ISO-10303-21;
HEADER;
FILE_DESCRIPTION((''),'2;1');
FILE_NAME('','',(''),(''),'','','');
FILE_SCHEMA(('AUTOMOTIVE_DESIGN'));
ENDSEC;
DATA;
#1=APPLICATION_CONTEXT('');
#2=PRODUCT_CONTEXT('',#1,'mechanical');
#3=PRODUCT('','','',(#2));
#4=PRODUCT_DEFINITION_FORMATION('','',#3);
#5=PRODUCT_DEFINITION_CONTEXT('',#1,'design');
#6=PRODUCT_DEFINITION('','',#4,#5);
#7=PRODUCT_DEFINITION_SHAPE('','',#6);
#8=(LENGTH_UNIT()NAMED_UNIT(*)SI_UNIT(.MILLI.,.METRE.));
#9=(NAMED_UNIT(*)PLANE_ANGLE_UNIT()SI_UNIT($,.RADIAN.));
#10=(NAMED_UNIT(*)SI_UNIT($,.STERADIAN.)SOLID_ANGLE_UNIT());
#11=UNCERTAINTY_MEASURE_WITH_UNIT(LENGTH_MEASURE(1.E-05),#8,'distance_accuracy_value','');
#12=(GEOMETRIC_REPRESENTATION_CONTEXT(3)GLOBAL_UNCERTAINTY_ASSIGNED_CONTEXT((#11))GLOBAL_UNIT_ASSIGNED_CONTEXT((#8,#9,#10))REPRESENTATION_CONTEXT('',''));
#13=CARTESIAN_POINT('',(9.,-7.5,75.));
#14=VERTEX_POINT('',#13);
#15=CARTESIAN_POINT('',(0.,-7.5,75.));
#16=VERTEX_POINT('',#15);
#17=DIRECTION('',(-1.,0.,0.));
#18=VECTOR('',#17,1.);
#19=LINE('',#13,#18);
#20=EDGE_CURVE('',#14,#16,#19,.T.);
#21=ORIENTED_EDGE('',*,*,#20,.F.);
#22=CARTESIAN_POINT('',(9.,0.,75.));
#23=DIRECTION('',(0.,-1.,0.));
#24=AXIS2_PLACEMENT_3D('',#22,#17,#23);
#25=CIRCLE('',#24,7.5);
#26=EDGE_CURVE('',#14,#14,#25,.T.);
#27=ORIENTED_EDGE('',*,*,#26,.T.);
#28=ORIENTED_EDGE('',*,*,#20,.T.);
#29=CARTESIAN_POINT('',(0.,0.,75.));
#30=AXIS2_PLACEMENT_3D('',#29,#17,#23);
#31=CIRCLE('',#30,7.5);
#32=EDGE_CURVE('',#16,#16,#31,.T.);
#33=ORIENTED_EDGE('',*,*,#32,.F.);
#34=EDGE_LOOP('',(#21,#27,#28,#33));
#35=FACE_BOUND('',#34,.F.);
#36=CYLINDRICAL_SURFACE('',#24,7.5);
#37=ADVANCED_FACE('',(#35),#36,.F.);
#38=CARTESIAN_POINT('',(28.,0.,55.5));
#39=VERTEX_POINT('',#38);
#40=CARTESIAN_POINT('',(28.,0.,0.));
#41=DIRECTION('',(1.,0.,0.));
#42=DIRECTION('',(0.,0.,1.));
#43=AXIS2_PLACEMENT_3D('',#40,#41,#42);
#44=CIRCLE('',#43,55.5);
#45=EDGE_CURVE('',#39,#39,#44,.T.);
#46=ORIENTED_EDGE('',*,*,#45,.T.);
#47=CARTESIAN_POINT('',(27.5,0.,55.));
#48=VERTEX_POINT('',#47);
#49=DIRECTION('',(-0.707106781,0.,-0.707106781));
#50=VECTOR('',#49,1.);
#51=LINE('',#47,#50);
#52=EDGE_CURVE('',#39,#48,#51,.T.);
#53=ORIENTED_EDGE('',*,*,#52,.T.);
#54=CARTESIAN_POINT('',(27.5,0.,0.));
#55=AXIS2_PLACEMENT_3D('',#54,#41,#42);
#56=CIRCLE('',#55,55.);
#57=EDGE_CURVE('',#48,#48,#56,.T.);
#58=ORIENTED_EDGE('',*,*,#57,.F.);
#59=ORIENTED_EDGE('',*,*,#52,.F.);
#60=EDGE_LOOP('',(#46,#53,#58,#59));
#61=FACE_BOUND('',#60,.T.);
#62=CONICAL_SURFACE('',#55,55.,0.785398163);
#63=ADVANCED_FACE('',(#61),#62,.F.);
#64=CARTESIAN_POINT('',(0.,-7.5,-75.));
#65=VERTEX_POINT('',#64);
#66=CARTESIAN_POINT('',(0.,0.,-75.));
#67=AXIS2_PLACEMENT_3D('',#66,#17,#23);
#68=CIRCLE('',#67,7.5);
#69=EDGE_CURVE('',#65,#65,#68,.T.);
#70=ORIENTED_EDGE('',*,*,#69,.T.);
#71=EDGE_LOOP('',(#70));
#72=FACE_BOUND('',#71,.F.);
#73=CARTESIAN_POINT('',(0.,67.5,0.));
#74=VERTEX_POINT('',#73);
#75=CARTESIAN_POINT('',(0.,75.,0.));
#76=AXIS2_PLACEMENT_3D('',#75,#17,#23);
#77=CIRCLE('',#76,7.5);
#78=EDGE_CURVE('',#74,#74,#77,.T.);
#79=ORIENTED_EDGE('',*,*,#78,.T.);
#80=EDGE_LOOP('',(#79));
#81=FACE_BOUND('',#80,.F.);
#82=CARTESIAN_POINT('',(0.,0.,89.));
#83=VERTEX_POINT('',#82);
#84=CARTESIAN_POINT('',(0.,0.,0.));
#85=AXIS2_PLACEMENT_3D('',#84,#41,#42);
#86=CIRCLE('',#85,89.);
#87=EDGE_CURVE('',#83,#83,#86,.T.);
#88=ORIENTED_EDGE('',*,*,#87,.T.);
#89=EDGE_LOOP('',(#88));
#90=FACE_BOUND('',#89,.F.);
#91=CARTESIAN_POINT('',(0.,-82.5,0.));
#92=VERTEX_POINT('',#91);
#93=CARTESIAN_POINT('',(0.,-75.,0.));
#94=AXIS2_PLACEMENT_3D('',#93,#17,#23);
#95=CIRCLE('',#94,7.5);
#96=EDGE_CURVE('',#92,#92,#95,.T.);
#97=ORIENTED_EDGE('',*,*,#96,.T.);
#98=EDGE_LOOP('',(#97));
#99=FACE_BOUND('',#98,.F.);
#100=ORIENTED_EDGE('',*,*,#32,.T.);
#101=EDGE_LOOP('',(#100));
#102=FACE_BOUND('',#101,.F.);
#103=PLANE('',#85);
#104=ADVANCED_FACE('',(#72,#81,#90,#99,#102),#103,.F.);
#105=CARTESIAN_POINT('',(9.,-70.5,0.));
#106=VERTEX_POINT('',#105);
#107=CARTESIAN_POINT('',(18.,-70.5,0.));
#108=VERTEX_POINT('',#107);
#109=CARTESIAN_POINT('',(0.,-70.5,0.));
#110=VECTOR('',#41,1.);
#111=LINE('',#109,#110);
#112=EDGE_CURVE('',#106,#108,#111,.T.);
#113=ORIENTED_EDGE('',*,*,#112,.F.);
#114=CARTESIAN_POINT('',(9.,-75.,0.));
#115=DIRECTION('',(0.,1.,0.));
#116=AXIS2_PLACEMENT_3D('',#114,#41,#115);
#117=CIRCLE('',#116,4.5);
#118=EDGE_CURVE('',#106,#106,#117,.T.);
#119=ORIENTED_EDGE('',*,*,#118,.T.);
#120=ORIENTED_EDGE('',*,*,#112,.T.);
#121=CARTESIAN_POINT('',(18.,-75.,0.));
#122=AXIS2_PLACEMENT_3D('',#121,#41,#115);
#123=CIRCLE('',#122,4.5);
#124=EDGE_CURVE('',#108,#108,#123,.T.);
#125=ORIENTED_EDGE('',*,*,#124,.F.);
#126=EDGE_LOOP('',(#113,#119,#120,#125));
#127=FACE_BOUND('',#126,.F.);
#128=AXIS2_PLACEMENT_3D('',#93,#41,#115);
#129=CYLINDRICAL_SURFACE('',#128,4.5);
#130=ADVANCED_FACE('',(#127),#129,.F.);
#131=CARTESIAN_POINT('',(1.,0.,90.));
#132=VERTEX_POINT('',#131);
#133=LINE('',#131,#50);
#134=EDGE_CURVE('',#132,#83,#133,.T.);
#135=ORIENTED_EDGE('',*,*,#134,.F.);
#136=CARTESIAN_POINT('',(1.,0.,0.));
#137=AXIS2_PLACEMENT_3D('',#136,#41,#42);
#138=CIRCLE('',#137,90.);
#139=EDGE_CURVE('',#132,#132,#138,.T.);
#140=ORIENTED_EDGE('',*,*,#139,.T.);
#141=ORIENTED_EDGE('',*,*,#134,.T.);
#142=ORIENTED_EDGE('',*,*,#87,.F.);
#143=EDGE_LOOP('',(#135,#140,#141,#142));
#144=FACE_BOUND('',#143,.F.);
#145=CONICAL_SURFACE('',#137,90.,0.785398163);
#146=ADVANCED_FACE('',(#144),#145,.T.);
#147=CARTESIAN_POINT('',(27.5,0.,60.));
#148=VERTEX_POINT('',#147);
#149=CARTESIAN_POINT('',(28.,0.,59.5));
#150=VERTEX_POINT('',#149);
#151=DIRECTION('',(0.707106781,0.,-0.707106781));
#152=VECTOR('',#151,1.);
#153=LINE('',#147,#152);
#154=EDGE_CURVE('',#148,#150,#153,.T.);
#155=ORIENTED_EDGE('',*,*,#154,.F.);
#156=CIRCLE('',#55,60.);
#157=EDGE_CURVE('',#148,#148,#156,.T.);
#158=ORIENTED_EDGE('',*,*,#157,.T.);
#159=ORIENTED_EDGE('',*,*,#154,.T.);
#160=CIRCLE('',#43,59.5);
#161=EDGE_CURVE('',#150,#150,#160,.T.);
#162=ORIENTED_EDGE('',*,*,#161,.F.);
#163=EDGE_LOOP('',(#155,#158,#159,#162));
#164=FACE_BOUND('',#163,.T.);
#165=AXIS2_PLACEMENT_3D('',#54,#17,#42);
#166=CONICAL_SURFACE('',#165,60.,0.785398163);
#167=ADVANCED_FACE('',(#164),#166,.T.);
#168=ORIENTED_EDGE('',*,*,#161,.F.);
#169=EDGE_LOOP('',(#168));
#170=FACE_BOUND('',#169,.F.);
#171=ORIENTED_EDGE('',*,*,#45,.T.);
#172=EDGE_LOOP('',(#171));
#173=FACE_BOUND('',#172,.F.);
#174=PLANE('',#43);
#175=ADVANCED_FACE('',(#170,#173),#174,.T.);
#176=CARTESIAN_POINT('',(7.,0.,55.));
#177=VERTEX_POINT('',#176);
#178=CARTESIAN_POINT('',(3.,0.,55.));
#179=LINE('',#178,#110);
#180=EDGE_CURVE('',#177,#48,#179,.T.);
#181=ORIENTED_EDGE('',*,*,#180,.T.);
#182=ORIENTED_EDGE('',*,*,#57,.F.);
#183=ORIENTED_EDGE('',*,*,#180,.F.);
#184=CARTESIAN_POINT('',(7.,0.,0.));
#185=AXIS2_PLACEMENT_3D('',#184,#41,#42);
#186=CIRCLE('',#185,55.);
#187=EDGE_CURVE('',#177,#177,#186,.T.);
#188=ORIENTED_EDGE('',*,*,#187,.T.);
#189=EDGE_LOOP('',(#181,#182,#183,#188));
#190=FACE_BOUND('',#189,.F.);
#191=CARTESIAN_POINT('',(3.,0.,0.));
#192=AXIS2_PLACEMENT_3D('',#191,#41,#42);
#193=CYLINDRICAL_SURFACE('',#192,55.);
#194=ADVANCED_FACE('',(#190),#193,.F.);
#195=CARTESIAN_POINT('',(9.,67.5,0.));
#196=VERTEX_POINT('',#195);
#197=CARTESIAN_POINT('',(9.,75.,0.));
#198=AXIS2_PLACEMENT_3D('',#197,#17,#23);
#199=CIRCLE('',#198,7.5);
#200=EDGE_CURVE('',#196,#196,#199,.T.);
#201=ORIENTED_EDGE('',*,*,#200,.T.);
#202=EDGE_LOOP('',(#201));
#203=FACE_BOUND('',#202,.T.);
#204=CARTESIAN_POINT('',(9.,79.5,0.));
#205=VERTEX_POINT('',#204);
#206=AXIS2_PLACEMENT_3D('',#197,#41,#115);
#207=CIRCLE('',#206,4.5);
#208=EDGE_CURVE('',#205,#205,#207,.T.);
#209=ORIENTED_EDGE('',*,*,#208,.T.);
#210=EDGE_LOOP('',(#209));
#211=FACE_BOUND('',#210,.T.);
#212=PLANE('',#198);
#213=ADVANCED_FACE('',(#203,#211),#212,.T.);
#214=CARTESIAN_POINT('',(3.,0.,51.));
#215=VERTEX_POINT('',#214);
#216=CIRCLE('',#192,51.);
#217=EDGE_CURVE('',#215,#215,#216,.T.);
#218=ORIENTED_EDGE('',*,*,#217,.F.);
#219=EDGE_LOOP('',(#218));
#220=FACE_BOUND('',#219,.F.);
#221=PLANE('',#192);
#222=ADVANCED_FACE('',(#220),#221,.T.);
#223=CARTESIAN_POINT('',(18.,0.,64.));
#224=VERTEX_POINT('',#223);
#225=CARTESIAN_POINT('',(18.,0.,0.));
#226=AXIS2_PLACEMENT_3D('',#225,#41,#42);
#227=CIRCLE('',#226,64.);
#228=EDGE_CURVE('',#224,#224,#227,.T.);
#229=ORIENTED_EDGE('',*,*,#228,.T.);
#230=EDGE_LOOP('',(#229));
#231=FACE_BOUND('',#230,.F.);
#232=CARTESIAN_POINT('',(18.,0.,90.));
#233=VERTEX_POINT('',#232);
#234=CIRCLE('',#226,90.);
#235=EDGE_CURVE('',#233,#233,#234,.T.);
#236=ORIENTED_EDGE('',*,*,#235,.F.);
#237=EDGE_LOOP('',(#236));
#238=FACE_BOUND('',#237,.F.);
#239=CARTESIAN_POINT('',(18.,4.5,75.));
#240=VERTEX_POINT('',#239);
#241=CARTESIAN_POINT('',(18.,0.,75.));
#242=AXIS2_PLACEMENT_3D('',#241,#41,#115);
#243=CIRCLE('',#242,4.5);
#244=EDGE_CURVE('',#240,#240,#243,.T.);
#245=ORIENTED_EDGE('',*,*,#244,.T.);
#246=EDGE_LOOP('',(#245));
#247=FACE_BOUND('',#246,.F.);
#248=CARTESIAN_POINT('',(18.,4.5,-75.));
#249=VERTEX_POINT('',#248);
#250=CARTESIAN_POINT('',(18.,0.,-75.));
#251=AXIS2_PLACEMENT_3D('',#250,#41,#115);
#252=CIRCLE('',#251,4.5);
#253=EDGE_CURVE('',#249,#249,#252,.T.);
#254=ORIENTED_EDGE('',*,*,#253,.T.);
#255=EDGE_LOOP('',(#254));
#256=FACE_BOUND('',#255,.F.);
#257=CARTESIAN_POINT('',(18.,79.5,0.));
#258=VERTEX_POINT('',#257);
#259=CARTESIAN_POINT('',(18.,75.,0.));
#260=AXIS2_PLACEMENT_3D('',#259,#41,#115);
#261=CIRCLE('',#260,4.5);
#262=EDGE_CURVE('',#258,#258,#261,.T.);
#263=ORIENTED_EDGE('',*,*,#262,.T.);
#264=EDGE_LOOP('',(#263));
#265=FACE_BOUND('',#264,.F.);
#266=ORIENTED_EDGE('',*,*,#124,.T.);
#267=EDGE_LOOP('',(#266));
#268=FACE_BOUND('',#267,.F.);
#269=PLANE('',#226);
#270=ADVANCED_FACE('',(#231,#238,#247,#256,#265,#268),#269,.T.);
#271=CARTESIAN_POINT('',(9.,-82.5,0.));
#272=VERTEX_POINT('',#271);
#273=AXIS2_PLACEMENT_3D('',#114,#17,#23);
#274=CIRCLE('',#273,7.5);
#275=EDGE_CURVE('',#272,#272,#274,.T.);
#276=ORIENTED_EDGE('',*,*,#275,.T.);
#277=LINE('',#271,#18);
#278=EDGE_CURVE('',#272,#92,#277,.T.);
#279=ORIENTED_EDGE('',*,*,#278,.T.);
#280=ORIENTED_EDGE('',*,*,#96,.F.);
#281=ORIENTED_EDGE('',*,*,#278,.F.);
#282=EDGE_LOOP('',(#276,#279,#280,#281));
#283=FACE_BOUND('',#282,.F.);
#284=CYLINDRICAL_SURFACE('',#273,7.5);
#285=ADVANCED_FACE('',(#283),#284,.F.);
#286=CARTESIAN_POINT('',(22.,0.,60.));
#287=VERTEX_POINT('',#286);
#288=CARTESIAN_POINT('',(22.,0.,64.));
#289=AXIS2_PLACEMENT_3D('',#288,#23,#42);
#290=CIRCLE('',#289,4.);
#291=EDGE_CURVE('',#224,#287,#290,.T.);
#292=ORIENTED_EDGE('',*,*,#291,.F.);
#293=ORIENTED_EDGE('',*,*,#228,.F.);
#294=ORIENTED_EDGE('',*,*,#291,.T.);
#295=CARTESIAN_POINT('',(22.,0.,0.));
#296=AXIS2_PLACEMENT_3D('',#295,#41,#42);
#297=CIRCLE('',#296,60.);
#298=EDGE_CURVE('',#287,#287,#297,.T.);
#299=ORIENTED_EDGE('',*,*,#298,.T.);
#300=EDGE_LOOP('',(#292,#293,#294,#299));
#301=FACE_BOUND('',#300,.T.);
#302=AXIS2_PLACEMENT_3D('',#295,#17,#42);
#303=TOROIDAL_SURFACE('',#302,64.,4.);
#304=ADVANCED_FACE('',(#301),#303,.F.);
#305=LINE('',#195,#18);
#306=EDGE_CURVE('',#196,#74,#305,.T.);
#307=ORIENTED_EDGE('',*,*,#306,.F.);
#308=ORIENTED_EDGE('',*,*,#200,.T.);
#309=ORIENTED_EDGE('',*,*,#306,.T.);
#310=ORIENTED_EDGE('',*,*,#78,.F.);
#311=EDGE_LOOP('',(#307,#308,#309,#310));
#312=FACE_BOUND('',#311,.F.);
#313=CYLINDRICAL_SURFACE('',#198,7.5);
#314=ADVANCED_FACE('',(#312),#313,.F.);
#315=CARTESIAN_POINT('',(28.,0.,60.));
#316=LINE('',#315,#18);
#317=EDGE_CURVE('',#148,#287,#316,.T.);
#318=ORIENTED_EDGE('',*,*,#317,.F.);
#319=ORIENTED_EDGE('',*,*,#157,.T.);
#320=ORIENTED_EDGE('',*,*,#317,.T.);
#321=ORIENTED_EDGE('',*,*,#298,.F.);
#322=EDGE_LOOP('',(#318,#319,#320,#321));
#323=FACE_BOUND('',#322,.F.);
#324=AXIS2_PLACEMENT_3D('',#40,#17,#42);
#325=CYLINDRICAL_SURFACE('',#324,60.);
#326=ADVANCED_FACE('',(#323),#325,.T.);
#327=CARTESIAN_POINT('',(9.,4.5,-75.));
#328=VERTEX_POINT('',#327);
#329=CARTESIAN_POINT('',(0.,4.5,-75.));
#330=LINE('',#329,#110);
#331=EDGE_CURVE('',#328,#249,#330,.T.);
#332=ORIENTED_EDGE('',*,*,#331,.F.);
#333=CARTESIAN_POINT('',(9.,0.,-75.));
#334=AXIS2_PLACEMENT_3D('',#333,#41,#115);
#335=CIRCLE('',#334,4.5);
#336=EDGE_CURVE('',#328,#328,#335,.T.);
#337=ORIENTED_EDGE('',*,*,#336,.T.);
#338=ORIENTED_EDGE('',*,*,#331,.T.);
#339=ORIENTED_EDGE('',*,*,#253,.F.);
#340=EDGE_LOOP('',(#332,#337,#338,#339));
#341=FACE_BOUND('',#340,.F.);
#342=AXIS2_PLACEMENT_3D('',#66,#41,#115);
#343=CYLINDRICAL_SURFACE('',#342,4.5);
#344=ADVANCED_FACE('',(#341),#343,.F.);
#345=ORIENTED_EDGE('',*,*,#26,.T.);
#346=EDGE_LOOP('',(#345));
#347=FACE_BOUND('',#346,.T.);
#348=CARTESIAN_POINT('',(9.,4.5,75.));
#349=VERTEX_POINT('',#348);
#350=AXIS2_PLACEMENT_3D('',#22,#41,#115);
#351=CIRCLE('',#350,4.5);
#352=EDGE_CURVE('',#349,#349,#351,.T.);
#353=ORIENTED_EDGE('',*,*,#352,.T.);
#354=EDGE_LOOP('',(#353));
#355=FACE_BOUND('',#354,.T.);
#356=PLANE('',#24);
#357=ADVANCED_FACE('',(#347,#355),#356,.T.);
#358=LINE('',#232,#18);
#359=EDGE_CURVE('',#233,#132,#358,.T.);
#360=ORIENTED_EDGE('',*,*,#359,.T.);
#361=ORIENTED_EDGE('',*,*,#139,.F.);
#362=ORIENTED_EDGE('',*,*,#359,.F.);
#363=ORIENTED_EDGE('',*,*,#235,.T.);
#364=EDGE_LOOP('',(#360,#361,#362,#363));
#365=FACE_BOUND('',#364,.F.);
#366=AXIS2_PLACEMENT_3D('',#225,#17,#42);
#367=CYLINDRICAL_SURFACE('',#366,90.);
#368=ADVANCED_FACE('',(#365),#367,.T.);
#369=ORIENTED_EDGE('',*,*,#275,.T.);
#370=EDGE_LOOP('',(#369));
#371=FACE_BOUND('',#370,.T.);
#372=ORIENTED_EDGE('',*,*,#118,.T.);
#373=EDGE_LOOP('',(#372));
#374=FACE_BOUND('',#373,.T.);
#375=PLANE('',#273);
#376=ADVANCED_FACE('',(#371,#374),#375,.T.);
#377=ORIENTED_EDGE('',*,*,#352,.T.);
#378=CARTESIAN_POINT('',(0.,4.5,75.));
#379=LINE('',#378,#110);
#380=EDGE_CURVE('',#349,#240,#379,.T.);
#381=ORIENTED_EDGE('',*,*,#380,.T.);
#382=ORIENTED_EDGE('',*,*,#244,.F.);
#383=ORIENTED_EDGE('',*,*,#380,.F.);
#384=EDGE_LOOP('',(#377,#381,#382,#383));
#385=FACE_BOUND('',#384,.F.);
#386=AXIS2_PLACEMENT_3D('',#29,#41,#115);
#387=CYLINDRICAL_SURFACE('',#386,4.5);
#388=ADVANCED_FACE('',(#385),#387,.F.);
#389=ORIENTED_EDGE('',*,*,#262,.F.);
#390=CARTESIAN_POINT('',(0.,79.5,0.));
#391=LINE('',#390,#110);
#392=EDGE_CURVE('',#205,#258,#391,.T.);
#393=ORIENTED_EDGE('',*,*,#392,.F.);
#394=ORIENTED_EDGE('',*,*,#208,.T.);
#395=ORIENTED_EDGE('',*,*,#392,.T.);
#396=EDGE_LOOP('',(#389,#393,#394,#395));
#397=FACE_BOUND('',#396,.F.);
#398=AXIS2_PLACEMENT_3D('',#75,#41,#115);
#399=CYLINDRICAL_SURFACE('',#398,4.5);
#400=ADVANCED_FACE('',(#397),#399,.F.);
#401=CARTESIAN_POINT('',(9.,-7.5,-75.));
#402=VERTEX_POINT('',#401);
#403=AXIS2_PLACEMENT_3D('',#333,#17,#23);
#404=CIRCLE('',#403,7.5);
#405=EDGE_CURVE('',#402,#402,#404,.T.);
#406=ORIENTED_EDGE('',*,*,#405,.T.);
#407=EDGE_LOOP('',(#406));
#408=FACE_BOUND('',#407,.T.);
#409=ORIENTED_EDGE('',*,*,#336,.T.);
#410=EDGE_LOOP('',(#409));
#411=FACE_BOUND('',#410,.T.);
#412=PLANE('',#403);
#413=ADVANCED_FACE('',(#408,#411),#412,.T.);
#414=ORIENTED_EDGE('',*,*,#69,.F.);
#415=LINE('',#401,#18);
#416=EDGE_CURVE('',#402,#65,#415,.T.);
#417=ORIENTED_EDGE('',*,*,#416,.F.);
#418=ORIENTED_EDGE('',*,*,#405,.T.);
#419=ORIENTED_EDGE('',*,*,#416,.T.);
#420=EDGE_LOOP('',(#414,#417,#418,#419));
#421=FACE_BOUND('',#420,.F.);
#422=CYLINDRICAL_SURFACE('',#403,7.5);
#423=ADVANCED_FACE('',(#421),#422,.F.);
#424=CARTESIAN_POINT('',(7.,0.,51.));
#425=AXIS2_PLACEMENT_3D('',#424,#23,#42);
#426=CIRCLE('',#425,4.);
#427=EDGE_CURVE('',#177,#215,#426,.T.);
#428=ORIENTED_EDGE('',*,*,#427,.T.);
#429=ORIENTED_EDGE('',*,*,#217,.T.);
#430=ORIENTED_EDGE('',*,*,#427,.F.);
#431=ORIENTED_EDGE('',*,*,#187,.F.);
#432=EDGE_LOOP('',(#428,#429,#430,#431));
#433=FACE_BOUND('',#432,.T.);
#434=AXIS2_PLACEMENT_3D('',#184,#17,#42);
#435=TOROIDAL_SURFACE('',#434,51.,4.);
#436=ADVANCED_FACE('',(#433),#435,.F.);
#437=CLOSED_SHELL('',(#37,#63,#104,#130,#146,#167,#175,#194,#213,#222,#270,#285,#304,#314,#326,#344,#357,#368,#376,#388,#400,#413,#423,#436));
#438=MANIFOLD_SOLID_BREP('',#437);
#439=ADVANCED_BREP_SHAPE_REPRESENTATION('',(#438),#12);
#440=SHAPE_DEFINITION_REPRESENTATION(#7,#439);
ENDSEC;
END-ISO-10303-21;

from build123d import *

# Parameters (mm, degrees)
F3_D           = 9
F3_DEPTH       = 18
F3_CBORE_D     = 15
F3_CBORE_DEPTH = 9
F4_R           = 4
F5_SIZE        = 0.5
F6_R           = 4
F7_SIZE        = 1


with BuildPart() as f1:
    # F0 (on Front) → F1 (revolve)
    with BuildSketch(Plane.XZ):
        Polygon((18, 90), (0, 90), (0, 0), (3, 0), (3, 55), (28, 55), (28, 60), (18, 60), align=None)
    revolve(axis=Axis((1.5, 0, 0), (1, 0, 0)))

    # F3
    with Locations(Plane(origin=(0, 0, 0), x_dir=(0, -1, 0), z_dir=(-1, 0, 0))):
        with Locations((0, 75), (75, 0), (0, -75), (-75, 0)):
            CounterBoreHole(F3_D / 2, F3_CBORE_D / 2, F3_CBORE_DEPTH, depth=F3_DEPTH)

    # F4
    f4_edges = [f1.edges().sort_by_distance(p)[0] for p in [
        (18, 0, -60),
    ]]
    fillet(f4_edges, radius=F4_R)

    # F5
    f5_edges = [f1.edges().sort_by_distance(p)[0] for p in [
        (28, 0, -60),
        (28, 0, -55),
    ]]
    chamfer(f5_edges, length=F5_SIZE)

    # F6
    f6_edges = [f1.edges().sort_by_distance(p)[0] for p in [
        (3, 0, -55),
    ]]
    fillet(f6_edges, radius=F6_R)

    # F7
    f7_edges = [f1.edges().sort_by_distance(p)[0] for p in [
        (0, 0, -90),
    ]]
    chamfer(f7_edges, length=F7_SIZE)


solid = f1.part
